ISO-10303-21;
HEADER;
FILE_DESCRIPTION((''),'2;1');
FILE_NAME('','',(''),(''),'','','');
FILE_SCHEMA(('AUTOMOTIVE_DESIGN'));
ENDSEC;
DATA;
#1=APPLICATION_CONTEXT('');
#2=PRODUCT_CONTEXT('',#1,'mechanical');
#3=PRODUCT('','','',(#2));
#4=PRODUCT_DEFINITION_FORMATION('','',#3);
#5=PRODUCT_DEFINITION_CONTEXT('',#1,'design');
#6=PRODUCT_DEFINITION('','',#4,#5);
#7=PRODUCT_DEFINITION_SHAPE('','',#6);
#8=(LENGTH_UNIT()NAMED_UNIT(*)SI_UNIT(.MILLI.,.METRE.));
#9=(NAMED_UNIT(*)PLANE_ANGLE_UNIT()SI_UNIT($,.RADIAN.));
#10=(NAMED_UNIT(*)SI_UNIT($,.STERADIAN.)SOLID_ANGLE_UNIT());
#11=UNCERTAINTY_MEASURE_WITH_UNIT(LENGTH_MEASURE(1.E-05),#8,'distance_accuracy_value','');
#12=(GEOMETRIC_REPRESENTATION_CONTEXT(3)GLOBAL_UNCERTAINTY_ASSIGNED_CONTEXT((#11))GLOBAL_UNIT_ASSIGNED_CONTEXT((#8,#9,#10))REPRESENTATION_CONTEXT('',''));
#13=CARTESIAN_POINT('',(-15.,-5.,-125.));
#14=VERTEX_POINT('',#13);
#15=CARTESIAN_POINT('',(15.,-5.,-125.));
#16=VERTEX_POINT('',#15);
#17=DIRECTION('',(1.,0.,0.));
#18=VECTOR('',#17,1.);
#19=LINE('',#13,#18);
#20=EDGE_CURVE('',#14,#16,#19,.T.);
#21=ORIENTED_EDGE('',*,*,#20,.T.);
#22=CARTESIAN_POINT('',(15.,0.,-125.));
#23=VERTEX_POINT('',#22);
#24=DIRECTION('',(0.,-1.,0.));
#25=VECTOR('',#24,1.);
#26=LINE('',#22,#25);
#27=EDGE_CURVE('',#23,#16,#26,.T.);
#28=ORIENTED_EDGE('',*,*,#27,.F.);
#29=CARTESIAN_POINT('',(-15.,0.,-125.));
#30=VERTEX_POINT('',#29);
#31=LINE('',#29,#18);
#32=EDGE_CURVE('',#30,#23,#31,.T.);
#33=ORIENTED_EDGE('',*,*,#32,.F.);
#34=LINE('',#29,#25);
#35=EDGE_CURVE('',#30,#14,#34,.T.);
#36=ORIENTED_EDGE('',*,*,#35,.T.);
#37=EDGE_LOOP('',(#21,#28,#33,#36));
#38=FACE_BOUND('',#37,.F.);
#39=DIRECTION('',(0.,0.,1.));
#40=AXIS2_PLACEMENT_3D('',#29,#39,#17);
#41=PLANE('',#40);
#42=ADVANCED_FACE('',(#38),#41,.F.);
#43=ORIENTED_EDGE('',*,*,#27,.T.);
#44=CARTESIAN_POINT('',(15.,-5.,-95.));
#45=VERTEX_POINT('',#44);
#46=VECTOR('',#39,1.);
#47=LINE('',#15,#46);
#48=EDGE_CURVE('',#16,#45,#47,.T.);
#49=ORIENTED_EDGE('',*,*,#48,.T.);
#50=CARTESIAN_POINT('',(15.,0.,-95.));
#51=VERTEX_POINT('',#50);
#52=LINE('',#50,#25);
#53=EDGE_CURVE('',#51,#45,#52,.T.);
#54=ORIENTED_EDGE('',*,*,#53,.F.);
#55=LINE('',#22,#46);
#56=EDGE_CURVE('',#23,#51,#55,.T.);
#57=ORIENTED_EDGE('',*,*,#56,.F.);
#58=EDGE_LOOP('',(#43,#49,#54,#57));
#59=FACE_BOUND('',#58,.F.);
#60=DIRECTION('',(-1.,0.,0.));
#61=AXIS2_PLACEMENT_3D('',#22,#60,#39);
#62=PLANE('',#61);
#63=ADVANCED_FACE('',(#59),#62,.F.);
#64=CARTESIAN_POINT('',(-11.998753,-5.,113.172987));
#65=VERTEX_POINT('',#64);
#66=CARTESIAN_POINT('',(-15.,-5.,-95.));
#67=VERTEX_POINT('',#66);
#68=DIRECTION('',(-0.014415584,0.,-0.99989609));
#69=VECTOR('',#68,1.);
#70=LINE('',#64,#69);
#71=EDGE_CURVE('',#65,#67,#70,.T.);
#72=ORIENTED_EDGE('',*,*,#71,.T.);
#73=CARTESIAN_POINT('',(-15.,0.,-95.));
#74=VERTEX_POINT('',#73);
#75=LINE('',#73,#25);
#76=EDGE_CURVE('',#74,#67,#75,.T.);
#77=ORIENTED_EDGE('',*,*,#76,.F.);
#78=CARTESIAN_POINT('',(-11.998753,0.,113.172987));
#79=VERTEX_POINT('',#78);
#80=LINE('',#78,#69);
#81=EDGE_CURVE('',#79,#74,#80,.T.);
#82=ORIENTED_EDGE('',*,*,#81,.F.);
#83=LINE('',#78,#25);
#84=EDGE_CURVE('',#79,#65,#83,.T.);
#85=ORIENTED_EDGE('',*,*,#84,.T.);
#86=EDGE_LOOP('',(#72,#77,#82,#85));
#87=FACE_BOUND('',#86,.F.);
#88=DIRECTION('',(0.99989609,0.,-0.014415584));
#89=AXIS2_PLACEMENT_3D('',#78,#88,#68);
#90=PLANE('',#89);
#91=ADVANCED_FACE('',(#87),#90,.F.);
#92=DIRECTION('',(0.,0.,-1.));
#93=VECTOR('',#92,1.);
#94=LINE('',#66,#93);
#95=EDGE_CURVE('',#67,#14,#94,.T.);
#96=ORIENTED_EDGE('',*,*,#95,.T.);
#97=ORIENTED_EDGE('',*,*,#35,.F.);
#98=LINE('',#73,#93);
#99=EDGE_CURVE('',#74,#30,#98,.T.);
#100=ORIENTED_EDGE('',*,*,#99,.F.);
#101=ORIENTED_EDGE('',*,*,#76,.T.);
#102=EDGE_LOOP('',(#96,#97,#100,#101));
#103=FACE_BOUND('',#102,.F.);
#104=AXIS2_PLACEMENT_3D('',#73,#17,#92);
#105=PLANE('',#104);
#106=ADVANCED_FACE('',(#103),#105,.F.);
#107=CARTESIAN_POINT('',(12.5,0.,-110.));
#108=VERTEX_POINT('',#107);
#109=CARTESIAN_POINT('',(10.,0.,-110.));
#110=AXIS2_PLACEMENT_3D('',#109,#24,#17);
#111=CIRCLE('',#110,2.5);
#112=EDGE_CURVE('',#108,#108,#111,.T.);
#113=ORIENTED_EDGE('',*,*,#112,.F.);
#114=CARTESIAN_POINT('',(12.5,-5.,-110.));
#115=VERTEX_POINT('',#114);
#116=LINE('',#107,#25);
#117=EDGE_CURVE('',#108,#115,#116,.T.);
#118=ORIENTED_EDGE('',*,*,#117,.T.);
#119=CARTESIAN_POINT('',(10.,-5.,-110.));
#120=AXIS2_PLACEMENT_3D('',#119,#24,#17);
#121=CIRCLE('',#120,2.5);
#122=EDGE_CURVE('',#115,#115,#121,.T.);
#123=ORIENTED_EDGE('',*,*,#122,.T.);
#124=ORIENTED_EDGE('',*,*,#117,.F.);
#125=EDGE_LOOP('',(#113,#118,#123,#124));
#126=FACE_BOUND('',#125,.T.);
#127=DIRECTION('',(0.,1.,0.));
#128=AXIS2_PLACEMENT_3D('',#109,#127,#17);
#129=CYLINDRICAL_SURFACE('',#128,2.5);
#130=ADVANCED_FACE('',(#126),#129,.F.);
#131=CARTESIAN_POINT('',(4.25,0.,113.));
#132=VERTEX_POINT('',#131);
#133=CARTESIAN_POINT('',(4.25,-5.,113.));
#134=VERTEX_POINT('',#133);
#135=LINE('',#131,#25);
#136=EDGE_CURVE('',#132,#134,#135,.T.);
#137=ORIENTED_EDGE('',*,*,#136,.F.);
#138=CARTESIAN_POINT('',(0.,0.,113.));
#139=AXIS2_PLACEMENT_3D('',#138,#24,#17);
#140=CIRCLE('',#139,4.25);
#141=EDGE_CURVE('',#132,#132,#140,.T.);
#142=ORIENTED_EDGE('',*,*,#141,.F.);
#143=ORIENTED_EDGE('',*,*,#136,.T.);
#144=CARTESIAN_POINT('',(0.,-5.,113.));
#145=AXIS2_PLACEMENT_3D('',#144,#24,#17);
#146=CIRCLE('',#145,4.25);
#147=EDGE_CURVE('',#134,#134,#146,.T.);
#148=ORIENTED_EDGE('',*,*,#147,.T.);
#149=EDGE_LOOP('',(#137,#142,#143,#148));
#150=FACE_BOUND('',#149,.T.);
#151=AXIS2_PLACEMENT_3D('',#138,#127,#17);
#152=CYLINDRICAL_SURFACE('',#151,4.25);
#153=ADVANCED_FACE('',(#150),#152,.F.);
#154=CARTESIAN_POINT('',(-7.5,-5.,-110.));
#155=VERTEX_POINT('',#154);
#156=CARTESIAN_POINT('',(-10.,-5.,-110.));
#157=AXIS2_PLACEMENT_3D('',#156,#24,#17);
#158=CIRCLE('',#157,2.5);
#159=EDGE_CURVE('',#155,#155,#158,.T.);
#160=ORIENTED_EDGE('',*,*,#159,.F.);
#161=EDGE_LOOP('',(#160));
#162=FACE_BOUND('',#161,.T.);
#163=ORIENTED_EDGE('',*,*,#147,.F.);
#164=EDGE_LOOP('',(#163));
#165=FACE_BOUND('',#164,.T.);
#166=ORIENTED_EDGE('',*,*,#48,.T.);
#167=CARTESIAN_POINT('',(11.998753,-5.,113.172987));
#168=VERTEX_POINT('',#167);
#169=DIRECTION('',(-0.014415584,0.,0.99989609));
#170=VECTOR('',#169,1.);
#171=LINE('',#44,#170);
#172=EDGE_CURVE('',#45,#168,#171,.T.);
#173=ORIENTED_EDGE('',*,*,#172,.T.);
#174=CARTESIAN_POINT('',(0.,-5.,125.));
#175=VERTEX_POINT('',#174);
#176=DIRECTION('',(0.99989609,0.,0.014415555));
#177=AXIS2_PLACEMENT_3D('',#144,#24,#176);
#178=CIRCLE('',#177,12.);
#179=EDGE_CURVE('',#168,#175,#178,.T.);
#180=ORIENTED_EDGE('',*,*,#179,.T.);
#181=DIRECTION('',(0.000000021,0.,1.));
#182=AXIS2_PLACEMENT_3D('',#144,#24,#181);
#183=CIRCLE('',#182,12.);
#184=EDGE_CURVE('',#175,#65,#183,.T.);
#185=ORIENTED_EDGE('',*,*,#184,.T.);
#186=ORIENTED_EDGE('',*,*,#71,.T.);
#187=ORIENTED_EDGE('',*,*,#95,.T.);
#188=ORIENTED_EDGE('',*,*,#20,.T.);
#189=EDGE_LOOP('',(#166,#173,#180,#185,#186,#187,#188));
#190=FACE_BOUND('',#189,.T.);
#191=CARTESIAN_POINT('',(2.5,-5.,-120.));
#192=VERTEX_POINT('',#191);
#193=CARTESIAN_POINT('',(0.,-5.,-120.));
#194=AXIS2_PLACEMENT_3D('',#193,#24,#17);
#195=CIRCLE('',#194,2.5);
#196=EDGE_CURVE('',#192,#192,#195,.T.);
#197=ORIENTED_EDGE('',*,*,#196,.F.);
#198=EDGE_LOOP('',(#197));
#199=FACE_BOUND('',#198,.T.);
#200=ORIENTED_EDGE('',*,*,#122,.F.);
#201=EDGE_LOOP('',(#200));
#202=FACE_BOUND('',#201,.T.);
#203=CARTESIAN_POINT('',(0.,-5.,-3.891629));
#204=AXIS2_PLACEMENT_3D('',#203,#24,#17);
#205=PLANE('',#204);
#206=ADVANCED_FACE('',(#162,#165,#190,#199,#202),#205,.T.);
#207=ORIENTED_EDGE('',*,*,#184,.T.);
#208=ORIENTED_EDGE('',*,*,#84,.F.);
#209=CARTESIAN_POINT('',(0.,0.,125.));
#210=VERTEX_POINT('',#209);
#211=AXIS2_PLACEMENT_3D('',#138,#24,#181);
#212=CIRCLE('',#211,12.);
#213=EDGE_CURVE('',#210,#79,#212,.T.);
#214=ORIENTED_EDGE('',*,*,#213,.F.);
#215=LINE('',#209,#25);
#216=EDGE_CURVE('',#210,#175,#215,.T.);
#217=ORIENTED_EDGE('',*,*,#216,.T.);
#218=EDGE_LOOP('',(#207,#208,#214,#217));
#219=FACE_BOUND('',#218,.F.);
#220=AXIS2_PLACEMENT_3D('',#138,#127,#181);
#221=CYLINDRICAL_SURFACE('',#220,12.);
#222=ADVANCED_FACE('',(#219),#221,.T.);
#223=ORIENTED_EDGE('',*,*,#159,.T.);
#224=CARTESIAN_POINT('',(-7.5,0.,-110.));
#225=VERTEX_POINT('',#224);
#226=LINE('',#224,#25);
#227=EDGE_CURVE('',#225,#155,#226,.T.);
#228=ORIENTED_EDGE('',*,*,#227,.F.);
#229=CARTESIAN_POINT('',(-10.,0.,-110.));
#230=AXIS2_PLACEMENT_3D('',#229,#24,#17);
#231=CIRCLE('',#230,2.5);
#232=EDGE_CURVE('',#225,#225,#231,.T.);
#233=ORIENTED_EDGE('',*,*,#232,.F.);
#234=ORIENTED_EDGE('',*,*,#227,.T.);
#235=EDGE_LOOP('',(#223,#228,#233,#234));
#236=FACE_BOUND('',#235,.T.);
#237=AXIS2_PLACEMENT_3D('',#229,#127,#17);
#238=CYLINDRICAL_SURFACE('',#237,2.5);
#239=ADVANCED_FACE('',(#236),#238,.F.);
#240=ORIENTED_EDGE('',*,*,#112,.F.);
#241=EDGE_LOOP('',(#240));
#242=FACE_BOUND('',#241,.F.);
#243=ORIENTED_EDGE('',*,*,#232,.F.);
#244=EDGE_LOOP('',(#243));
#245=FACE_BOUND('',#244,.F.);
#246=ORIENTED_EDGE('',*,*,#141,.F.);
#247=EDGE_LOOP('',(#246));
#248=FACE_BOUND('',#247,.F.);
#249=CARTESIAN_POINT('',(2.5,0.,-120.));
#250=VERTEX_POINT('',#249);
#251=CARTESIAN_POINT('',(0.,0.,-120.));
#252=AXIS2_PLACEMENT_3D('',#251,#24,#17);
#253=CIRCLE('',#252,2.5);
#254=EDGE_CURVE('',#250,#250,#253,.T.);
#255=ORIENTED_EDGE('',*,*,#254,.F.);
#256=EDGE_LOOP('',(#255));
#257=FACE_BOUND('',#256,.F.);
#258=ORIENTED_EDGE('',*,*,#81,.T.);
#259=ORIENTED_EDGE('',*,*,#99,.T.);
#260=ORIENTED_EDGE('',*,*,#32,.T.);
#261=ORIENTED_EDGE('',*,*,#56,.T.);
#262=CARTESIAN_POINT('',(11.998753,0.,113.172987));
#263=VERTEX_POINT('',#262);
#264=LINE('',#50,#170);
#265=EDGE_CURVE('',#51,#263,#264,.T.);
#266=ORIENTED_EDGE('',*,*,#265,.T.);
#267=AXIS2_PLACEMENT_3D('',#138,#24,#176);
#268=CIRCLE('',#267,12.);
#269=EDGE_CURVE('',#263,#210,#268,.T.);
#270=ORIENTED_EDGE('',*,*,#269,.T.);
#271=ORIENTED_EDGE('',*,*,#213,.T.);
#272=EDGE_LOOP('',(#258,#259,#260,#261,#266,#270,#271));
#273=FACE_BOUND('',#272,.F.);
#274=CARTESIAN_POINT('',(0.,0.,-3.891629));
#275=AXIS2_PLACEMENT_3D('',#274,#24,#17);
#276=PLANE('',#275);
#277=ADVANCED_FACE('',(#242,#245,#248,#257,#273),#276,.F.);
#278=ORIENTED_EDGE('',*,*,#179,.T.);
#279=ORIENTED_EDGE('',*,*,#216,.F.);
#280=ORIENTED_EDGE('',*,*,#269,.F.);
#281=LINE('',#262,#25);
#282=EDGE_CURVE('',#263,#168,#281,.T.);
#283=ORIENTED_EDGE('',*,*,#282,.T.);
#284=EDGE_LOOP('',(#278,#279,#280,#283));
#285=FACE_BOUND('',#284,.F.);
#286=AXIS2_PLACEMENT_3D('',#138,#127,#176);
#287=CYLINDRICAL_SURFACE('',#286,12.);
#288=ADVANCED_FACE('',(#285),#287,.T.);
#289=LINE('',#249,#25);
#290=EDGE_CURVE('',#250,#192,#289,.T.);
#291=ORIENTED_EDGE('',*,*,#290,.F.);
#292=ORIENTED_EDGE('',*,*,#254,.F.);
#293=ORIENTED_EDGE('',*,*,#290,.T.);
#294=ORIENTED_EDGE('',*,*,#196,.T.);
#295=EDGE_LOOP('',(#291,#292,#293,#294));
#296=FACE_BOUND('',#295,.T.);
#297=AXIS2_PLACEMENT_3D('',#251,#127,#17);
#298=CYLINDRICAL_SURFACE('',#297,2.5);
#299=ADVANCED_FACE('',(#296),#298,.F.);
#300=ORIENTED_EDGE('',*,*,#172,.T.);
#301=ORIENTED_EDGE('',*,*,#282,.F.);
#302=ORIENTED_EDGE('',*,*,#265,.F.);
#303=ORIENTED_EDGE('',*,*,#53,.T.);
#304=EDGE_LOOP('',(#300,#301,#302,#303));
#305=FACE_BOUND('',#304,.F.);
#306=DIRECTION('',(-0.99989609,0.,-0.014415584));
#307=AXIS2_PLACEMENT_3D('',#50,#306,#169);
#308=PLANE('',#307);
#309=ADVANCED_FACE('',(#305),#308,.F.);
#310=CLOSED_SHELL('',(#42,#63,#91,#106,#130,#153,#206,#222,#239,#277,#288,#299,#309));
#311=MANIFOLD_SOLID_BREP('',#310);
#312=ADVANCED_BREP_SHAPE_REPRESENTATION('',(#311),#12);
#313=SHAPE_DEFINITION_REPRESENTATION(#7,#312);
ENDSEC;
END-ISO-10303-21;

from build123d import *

# Parameters (mm, degrees)
F0_R     = 2.5
F0_R_2   = 4.25
F1_DEPTH = 5


with BuildPart() as f1:
    # F0 (on Front) → F1 (new body)
    with BuildSketch(Plane.XZ):
        with BuildLine():
            Line((-15, -95), (-15, -125))
            Line((-15, -125), (15, -125))
            Line((15, -125), (15, -95))
            Line((15, -95), (11.998753, 113.172987))
            ThreePointArc((11.998753, 113.172987), (8.423899, 121.546223), (0, 125))
            ThreePointArc((0, 125), (-8.423899, 121.546223), (-11.998753, 113.172987))
            Line((-11.998753, 113.172987), (-15, -95))
        make_face()
        with Locations((-10, -110)):
            Circle(F0_R, mode=Mode.SUBTRACT)
        with Locations((0, -120)):
            Circle(F0_R, mode=Mode.SUBTRACT)
        with Locations((10, -110)):
            Circle(F0_R, mode=Mode.SUBTRACT)
        with Locations((0, 113)):
            Circle(F0_R_2, mode=Mode.SUBTRACT)
    extrude(amount=F1_DEPTH)


solid = f1.part
